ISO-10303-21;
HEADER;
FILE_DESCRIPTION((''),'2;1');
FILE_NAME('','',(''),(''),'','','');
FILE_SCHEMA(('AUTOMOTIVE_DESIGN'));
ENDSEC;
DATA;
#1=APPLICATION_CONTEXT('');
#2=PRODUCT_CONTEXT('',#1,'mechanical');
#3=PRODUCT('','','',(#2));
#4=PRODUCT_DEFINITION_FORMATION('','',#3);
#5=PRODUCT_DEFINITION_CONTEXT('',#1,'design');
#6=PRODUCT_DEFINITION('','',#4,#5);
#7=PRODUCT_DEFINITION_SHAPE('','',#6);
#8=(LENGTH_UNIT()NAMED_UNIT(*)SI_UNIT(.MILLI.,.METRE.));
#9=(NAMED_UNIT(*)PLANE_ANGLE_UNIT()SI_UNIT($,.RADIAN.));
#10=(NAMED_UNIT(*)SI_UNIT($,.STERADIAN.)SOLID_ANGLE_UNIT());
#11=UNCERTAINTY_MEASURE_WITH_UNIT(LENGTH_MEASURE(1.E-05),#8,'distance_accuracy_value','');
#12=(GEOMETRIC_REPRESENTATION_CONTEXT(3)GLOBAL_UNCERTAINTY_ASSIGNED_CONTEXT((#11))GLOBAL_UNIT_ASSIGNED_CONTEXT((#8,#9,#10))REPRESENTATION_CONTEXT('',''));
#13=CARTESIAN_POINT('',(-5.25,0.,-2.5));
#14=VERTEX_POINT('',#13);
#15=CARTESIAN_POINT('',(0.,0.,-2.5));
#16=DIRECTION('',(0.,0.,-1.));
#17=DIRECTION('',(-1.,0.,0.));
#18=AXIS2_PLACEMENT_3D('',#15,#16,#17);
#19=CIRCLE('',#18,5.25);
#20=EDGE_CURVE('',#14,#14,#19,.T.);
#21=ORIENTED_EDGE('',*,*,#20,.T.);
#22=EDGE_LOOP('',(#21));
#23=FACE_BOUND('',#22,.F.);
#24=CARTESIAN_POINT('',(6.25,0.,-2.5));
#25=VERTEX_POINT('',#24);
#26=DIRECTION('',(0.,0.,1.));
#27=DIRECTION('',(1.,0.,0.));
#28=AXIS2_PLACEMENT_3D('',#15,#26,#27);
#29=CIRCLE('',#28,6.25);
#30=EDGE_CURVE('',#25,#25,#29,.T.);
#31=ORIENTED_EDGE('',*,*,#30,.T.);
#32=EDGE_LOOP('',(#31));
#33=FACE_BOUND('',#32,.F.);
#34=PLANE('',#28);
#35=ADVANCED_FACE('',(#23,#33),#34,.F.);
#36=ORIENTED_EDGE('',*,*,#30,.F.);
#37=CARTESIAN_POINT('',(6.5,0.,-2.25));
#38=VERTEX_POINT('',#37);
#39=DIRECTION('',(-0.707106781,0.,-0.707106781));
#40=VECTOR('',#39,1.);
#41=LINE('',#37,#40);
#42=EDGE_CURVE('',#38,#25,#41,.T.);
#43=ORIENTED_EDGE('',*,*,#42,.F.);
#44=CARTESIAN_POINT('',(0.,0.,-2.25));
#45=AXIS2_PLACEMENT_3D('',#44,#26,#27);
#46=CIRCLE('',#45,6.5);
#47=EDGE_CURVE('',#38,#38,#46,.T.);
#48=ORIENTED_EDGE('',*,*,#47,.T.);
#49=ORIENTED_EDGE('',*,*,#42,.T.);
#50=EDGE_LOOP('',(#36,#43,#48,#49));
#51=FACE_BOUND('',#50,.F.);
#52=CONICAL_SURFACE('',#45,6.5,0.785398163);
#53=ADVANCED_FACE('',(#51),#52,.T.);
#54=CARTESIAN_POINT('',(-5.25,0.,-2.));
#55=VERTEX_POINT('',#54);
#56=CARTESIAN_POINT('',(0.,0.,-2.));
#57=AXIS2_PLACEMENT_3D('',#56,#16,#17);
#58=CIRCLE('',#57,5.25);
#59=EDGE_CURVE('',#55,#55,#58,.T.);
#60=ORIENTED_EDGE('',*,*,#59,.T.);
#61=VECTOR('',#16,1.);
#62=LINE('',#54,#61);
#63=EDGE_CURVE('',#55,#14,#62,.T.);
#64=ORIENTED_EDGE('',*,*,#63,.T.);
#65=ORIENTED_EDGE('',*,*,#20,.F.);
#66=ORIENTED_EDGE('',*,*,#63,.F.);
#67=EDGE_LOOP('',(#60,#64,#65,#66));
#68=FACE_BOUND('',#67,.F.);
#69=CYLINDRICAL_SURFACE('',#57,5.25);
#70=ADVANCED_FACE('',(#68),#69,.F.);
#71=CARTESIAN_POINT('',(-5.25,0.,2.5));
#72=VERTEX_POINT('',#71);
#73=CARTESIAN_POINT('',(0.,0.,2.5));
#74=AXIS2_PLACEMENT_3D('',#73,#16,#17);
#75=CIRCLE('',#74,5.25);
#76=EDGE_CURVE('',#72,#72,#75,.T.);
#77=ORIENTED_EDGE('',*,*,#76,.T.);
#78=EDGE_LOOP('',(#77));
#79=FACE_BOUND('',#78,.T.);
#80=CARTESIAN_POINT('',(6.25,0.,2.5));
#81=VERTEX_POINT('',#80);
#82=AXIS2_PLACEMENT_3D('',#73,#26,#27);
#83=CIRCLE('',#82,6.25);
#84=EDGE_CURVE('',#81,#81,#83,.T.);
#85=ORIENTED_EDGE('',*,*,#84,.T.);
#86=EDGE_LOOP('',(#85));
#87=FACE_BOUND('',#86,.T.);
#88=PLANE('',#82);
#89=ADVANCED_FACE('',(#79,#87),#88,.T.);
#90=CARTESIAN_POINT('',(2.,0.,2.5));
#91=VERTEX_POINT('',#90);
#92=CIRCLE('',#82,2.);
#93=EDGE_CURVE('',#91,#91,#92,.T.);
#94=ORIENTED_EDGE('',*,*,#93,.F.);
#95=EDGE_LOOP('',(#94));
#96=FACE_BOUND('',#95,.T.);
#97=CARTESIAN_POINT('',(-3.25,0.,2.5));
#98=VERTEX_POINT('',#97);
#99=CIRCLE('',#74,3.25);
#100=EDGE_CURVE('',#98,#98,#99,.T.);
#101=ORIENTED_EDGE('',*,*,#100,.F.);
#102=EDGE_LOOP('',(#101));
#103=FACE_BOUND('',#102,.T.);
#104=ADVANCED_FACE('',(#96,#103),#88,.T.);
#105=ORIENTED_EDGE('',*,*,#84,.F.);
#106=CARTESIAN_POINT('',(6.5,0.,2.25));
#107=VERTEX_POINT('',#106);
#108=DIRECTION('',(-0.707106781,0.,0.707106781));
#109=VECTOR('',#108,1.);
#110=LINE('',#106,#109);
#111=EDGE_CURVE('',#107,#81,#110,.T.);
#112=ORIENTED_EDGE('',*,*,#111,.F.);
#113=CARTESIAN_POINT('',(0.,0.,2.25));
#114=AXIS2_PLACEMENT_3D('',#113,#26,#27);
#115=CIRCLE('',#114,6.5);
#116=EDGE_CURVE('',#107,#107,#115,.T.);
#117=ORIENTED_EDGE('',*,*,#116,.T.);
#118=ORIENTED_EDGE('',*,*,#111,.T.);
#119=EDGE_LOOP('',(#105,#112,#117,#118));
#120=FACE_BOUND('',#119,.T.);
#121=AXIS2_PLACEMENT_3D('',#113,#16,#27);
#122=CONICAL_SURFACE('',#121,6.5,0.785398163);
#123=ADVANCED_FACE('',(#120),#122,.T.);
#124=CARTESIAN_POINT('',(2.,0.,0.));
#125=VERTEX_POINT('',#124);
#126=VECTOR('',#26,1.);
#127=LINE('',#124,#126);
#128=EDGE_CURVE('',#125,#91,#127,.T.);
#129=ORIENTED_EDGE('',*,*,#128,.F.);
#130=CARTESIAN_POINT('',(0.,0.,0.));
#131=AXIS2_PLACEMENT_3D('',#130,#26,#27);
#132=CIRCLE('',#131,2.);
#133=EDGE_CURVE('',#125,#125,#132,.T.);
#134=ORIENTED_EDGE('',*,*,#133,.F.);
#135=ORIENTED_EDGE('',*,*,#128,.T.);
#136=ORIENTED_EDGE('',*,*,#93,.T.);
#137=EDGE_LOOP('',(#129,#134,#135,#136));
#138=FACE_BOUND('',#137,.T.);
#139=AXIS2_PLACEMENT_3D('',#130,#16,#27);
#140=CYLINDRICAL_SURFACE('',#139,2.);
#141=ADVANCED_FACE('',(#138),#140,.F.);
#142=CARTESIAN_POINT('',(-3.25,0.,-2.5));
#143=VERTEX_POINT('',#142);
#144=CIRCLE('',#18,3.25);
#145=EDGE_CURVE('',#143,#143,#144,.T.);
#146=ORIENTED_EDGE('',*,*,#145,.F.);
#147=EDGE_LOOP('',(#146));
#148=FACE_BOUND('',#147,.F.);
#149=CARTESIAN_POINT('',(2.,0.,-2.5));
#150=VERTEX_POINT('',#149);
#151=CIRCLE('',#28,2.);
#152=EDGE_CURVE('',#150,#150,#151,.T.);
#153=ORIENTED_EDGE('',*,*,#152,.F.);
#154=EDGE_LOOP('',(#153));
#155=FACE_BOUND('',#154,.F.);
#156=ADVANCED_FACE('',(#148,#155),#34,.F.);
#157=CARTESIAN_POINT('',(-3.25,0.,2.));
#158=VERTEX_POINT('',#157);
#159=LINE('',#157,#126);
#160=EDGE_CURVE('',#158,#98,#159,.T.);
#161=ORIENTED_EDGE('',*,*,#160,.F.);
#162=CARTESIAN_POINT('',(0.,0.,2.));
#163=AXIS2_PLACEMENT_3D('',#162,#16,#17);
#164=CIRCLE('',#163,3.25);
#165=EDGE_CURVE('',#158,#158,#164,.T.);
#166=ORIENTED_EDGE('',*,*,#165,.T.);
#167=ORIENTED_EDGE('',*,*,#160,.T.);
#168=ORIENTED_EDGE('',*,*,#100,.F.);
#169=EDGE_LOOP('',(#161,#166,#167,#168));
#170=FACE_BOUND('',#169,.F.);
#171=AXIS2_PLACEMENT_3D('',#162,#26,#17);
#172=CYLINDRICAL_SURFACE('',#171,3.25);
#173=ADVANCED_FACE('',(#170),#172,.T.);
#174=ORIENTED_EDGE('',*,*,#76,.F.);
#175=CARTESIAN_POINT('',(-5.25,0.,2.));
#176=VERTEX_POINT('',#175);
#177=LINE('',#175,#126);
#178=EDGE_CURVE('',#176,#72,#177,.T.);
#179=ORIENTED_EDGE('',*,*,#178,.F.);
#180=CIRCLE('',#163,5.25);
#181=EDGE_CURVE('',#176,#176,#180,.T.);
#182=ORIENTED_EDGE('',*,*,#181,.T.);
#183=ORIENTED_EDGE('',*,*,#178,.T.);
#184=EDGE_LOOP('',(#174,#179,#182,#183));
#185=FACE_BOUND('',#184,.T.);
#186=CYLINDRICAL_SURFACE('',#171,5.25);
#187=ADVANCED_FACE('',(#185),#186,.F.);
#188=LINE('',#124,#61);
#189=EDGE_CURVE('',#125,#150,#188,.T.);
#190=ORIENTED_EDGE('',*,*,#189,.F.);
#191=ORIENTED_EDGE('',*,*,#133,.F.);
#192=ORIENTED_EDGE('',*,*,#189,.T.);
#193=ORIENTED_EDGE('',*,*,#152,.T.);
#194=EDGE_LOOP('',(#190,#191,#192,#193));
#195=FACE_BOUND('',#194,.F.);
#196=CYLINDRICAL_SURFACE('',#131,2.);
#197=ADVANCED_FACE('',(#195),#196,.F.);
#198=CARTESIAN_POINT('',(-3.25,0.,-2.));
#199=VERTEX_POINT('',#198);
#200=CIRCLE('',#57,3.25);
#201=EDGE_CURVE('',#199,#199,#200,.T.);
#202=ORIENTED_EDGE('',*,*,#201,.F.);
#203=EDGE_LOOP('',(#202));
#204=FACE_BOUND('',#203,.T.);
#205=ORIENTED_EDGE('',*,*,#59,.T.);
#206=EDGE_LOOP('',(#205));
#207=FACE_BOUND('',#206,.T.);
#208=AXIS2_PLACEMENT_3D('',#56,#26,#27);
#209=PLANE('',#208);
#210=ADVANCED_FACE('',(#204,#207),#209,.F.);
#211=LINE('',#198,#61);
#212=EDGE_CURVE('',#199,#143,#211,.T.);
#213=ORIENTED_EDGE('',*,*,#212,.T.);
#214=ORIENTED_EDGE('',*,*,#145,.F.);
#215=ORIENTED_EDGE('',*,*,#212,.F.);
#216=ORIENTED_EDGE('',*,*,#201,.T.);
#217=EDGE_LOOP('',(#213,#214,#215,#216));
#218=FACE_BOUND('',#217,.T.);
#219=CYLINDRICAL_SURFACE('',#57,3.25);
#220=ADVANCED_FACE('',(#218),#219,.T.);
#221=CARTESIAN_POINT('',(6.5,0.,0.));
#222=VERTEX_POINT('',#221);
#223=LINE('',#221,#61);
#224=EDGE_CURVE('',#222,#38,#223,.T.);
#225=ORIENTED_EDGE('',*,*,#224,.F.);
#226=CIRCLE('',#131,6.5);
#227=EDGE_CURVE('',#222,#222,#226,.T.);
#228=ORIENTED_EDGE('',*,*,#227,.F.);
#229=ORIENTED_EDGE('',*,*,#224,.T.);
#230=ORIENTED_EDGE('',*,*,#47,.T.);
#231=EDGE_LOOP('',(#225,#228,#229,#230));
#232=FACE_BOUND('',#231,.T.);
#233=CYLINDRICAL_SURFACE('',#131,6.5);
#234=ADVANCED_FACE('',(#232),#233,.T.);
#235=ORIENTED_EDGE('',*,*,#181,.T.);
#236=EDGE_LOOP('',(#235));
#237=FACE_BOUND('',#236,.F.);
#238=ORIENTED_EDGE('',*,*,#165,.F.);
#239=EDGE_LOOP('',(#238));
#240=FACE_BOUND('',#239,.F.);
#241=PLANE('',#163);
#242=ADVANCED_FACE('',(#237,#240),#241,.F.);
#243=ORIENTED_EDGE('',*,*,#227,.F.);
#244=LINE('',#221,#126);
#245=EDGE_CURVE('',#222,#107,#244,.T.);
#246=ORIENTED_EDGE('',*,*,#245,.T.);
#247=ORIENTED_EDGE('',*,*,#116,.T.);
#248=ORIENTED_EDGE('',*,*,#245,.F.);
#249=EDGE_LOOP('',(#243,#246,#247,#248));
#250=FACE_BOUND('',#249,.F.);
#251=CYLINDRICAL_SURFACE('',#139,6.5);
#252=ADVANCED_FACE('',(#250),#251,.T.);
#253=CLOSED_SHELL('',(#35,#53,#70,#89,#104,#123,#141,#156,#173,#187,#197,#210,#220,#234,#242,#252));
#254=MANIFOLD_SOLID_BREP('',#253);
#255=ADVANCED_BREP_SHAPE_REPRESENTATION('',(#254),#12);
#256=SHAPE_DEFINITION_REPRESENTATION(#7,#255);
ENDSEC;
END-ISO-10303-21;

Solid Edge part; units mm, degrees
sketch "Sketch1" plane through (0, 0, 0) normal (0, 0, 1) x (1, 0, 0)
  circle A0 centre (0, 0) radius 2
  circle A1 centre (0, 0) radius 6.5
extrude "Protrusion1" add sketch "Sketch1" along normal mid plane 5
chamfer "Chamfer_1" distance 0.25 angle 45 2 edges at (-6.5, 0, 2.5) (-6.5, 0, -2.5)
sketch "Sketch2" plane through (0, 0, 0) normal (0, -1, 0) x (1, 0, 0)
  line L0 (-3.25, 2) -> (-3.25, 2.5)
  line L1 (-5.25, 2) -> (-3.25, 2)
  line L2 (-5.25, 2) -> (-5.25, 2.5)
  dimension "D1" = 2
revolve "RevolvedCutout1" cut sketch "Sketch2" angle 360 about axis through (0, 0, 54) along (0, 0, -1) material side at (-3.3, 0, 2.25)
mirror "Mirror1" about plane through (0, 0, 0) normal (0, 0, 1) of "RevolvedCutout1"
